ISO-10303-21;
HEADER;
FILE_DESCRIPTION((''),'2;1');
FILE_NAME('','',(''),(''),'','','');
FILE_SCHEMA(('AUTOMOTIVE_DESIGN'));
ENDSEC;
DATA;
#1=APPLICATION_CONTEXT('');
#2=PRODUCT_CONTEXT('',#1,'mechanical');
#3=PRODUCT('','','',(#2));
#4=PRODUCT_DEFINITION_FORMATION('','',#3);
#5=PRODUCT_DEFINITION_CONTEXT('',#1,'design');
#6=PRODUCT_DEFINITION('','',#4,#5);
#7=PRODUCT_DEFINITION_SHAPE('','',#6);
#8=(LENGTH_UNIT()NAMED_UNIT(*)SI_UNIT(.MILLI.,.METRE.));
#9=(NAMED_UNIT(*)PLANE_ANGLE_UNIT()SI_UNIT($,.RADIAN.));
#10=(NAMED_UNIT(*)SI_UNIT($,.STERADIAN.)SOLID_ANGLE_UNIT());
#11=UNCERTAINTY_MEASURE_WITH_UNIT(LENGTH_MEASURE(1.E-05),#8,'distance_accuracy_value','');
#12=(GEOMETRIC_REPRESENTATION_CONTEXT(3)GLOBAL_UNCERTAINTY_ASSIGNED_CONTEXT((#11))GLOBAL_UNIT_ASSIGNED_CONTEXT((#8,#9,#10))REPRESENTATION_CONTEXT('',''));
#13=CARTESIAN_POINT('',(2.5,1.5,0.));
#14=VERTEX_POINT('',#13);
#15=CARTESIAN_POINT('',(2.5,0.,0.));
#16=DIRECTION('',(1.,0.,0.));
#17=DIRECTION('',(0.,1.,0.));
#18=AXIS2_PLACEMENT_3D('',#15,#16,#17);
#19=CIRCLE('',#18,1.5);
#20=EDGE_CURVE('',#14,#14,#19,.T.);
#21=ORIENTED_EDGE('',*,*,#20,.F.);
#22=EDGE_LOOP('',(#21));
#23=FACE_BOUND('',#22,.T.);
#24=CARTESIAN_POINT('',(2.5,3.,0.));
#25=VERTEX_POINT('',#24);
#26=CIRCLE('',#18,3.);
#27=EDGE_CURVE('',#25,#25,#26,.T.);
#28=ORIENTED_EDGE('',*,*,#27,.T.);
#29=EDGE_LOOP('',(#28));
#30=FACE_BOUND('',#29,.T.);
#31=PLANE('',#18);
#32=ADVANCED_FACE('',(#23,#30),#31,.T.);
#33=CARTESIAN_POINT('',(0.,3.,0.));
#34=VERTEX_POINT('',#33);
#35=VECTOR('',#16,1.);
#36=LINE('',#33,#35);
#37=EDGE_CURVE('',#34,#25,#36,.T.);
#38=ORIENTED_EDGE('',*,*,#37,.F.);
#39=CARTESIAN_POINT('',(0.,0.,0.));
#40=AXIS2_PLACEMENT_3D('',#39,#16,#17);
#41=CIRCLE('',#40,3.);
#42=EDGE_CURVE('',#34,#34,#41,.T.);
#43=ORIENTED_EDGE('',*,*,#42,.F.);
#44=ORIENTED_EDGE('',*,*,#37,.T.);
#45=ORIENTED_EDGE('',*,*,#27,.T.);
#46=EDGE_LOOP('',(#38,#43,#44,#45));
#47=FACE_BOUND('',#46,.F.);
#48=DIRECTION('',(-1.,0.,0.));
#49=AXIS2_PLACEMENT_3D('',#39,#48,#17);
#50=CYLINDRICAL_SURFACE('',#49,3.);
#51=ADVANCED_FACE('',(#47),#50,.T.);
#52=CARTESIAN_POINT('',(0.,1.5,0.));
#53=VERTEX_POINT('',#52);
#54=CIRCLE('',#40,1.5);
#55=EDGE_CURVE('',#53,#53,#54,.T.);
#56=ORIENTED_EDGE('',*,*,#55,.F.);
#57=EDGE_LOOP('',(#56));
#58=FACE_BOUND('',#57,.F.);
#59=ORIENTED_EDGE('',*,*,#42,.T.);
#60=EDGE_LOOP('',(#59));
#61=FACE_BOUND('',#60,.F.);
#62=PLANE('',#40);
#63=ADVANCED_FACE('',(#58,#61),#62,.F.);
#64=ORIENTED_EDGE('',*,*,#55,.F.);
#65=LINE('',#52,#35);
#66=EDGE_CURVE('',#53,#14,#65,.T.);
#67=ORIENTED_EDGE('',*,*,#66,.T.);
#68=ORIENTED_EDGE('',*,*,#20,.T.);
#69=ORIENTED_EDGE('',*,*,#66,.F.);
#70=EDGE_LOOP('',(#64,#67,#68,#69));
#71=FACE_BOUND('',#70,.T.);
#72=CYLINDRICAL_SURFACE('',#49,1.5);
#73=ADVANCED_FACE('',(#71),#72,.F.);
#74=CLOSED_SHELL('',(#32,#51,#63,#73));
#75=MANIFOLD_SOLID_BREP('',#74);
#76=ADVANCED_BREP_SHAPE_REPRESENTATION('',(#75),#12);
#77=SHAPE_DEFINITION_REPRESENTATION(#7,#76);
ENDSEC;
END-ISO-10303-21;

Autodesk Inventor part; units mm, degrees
ref_plane "YZ Plane" through (0, 0, 0) normal (1, 0, 0) x (0, 1, 0)
ref_plane "XZ Plane" through (0, 0, 0) normal (0, 1, 0) x (-1, 0, 0)
ref_plane "XY Plane" through (0, 0, 0) normal (0, 0, 1) x (1, 0, 0)
sketch "スケッチ1" plane through (0, 0, 0) normal (1, 0, 0) x (0, 1, 0)
  circle A0 centre (0, 0) radius 3
  circle A1 centre (0, 0) radius 1.5
  dimension "d0" = 6
  dimension "d1" = 3
extrude "押し出し1" add sketch "スケッチ1" along normal blind 2.5
properties part number "3-6" material "アルミニウム 6061"
